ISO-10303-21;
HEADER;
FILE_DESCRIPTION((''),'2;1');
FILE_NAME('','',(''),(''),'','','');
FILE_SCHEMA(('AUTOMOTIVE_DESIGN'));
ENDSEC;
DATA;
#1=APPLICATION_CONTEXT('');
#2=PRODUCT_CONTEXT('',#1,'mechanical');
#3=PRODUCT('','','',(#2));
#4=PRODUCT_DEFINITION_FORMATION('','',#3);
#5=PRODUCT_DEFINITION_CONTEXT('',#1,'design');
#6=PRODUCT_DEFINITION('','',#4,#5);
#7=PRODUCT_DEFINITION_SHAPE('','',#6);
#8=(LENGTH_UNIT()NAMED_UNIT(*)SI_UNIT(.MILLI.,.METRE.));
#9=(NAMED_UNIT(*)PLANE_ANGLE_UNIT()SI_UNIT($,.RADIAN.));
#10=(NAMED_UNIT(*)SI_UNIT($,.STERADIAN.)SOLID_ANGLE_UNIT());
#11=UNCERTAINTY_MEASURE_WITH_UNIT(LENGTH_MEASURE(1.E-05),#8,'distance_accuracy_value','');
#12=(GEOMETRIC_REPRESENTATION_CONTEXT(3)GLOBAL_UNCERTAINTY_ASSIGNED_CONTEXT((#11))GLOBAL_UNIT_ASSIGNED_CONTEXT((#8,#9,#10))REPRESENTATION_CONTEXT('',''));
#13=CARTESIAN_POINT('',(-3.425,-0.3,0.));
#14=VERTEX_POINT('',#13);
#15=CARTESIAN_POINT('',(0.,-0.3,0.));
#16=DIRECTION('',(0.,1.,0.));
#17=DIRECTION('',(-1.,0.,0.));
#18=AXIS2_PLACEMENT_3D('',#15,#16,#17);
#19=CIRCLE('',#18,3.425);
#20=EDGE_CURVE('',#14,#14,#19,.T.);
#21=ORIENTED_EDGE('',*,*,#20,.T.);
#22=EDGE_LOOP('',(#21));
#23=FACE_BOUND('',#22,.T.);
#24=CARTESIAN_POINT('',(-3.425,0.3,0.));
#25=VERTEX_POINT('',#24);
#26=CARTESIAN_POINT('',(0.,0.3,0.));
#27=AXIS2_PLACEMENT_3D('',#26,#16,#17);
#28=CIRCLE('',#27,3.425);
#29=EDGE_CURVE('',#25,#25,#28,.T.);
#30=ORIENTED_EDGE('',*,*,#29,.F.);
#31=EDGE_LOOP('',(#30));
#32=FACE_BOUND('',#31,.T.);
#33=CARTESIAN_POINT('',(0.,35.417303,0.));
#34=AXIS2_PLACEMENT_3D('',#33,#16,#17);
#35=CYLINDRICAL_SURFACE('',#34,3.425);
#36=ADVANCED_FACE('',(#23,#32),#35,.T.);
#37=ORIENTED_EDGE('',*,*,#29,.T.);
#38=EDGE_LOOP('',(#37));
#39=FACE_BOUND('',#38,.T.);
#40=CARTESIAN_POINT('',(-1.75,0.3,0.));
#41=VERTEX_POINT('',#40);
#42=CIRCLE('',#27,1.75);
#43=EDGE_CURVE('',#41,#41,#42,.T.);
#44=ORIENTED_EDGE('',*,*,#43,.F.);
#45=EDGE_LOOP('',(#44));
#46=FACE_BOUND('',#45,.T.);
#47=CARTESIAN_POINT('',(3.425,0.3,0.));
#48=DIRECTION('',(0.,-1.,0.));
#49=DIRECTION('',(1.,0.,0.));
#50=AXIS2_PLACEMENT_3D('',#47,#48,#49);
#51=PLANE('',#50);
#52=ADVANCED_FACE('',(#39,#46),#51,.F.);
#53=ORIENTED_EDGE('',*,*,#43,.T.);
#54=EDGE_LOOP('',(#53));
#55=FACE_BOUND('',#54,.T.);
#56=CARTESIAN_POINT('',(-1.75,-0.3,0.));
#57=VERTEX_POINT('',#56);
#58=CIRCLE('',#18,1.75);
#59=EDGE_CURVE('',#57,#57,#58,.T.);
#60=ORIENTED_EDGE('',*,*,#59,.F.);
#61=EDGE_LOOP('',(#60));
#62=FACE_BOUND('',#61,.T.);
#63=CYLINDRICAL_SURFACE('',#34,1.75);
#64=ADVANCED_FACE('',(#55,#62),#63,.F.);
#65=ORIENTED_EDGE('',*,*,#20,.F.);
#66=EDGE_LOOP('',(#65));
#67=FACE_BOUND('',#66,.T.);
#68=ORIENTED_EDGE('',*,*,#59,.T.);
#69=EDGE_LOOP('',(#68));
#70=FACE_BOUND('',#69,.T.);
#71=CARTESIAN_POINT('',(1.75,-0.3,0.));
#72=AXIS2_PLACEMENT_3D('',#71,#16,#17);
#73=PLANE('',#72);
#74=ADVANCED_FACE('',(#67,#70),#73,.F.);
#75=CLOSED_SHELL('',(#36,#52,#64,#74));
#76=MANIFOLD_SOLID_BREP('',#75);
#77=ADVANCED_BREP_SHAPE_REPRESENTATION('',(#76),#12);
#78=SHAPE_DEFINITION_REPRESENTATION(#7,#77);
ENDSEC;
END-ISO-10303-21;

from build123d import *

# Parameters (mm, degrees)
ESBO_O2_W = 1.675
ESBO_O2_H = 0.6


with BuildPart() as part:
    # Esboço2 → Revolução1 (revolve)
    with BuildSketch(Plane.XY, mode=Mode.PRIVATE) as revolu_o1_sk:
        with Locations((2.5875, 0)):
            Rectangle(ESBO_O2_W, ESBO_O2_H)
    revolve(revolu_o1_sk.sketch.rotate(Axis((0, 35.417303371, 0), (0, -1, 0)), 180), axis=Axis((0, 35.417303371, 0), (0, -1, 0)))


solid = part.part
